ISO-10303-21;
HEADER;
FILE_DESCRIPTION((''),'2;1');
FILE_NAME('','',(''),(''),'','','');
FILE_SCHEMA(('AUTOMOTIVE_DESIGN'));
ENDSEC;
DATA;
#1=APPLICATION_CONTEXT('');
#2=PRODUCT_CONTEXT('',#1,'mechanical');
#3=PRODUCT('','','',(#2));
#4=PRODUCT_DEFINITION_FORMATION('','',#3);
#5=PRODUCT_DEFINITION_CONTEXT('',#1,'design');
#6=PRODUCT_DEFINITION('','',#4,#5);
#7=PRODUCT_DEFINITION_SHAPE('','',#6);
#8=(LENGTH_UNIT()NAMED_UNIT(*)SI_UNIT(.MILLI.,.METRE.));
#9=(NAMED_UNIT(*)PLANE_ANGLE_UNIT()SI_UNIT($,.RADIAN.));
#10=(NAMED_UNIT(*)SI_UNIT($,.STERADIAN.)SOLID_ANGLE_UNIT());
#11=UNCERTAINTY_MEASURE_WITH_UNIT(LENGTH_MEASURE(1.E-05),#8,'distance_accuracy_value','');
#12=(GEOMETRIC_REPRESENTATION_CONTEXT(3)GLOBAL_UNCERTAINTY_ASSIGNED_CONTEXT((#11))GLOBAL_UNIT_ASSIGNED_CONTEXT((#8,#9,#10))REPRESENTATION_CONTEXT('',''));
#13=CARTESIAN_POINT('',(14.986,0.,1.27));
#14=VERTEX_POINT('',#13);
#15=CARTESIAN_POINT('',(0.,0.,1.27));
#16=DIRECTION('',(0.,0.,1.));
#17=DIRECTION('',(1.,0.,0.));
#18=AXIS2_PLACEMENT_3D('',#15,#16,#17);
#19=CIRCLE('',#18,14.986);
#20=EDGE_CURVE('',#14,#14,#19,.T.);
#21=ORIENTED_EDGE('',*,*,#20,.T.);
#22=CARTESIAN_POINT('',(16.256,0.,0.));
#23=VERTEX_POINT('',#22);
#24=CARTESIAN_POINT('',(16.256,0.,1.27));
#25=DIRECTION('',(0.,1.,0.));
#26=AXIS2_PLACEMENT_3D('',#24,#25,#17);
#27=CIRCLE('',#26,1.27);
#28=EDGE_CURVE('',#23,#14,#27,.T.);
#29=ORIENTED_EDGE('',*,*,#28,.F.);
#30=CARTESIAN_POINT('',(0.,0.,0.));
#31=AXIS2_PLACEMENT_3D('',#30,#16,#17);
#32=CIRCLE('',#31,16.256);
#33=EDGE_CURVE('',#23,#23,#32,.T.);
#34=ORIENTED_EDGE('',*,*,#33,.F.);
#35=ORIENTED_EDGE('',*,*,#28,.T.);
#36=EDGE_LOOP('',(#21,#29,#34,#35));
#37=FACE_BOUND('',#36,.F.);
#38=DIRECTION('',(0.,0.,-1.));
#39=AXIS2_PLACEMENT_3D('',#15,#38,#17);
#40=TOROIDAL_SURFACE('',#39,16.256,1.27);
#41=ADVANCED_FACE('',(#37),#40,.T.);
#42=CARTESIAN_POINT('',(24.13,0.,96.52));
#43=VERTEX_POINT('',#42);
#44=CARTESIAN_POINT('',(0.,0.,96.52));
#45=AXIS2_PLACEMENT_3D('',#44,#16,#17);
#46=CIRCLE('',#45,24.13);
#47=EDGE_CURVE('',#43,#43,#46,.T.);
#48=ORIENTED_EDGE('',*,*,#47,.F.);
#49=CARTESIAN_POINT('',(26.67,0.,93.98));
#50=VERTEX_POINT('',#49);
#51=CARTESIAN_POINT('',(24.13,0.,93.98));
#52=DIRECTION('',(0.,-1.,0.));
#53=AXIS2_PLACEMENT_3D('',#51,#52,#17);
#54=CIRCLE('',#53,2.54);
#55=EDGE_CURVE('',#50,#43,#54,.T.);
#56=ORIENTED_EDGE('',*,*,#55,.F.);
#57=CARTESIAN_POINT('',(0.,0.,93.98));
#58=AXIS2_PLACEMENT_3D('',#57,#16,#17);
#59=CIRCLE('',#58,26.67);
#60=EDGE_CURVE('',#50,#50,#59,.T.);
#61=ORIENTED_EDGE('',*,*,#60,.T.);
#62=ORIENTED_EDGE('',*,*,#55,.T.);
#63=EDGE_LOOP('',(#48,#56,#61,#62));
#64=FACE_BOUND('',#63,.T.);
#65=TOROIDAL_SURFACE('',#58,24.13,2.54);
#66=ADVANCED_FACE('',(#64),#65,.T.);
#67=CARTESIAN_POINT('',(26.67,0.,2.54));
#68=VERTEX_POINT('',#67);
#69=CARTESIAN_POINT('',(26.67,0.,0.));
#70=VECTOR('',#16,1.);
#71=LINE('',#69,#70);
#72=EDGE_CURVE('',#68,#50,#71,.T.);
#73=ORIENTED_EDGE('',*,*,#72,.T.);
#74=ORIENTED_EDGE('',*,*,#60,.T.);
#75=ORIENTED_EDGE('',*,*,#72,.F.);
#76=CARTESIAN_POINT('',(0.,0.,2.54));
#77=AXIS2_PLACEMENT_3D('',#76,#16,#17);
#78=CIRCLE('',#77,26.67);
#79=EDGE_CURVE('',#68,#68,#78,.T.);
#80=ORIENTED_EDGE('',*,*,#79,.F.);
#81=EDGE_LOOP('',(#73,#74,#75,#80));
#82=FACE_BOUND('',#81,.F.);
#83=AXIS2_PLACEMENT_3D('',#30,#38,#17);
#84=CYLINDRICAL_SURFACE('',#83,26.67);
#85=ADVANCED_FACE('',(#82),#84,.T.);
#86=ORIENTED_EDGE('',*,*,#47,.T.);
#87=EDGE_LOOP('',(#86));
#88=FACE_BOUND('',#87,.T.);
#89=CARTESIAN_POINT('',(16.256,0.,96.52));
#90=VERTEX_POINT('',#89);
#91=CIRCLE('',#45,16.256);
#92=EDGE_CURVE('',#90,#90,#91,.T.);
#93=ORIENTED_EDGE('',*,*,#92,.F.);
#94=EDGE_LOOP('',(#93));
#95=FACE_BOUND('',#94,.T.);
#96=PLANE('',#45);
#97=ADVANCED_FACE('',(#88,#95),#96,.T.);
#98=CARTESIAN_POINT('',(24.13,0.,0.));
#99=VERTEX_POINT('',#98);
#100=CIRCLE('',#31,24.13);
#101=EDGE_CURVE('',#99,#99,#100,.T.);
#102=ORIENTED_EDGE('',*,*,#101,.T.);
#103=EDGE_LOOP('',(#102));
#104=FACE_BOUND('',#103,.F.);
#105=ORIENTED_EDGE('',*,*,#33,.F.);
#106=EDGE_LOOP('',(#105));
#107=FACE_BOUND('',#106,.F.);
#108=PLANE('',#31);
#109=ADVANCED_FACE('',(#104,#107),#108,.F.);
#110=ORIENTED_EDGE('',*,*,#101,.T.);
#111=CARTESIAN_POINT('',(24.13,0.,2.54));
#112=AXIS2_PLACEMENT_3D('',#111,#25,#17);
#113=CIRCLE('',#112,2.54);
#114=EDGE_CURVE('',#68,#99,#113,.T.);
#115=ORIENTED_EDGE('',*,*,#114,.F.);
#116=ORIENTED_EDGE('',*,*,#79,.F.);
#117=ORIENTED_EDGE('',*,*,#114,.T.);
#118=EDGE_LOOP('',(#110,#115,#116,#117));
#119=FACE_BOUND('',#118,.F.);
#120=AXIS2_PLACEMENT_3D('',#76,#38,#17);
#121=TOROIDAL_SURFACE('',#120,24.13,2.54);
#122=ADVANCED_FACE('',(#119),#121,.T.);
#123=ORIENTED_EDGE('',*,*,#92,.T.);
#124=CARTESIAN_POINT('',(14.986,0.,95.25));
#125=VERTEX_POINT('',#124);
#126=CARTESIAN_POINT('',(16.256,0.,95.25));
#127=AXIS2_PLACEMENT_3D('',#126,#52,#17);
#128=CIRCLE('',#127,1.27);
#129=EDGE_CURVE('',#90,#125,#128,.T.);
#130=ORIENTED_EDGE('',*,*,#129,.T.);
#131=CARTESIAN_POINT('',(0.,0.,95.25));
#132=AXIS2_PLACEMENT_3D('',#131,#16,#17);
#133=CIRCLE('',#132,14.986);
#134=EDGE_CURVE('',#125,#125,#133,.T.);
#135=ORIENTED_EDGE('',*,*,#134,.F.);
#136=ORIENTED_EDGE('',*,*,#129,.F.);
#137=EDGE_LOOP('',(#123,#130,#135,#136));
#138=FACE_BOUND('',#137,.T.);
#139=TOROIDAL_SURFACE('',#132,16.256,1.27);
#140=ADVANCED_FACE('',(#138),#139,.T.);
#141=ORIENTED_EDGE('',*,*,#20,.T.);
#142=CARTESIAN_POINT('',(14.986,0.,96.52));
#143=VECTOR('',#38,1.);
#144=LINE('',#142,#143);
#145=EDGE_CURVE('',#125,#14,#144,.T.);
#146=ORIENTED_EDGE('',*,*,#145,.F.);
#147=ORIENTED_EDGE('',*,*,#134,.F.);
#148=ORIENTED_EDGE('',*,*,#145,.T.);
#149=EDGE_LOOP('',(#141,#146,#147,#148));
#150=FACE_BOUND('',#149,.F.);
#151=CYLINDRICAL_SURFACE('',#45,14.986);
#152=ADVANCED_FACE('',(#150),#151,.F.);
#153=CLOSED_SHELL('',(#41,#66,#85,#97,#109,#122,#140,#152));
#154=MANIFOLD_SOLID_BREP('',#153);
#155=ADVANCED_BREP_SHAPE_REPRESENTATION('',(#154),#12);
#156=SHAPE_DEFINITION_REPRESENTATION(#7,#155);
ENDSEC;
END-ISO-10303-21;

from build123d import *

# Parameters (mm, degrees)
F0_R     = 26.67
F1_DEPTH = 96.52
F2_R     = 14.986
F3_DEPTH = 96.521
F4_R     = 2.54
F5_R     = 1.27


with BuildPart() as f1:
    # F0 (on Top) → F1 (new body)
    with BuildSketch(Plane.XY):
        Circle(F0_R)
    extrude(amount=F1_DEPTH)

    # F2 (on face) → F3 (cut, through all)
    with BuildSketch(Plane.XY.offset(96.52)):
        Circle(F2_R)
    extrude(amount=-F3_DEPTH, mode=Mode.SUBTRACT)

    # F4
    f4_edges = [f1.edges().sort_by_distance(p)[0] for p in [
        (-26.67, 0, 0),
        (-26.67, 0, 96.52),
    ]]
    fillet(f4_edges, radius=F4_R)

    # F5
    f5_edges = [f1.edges().sort_by_distance(p)[0] for p in [
        (-14.986, 0, 96.52),
        (-14.986, 0, 0),
    ]]
    fillet(f5_edges, radius=F5_R)


solid = f1.part
